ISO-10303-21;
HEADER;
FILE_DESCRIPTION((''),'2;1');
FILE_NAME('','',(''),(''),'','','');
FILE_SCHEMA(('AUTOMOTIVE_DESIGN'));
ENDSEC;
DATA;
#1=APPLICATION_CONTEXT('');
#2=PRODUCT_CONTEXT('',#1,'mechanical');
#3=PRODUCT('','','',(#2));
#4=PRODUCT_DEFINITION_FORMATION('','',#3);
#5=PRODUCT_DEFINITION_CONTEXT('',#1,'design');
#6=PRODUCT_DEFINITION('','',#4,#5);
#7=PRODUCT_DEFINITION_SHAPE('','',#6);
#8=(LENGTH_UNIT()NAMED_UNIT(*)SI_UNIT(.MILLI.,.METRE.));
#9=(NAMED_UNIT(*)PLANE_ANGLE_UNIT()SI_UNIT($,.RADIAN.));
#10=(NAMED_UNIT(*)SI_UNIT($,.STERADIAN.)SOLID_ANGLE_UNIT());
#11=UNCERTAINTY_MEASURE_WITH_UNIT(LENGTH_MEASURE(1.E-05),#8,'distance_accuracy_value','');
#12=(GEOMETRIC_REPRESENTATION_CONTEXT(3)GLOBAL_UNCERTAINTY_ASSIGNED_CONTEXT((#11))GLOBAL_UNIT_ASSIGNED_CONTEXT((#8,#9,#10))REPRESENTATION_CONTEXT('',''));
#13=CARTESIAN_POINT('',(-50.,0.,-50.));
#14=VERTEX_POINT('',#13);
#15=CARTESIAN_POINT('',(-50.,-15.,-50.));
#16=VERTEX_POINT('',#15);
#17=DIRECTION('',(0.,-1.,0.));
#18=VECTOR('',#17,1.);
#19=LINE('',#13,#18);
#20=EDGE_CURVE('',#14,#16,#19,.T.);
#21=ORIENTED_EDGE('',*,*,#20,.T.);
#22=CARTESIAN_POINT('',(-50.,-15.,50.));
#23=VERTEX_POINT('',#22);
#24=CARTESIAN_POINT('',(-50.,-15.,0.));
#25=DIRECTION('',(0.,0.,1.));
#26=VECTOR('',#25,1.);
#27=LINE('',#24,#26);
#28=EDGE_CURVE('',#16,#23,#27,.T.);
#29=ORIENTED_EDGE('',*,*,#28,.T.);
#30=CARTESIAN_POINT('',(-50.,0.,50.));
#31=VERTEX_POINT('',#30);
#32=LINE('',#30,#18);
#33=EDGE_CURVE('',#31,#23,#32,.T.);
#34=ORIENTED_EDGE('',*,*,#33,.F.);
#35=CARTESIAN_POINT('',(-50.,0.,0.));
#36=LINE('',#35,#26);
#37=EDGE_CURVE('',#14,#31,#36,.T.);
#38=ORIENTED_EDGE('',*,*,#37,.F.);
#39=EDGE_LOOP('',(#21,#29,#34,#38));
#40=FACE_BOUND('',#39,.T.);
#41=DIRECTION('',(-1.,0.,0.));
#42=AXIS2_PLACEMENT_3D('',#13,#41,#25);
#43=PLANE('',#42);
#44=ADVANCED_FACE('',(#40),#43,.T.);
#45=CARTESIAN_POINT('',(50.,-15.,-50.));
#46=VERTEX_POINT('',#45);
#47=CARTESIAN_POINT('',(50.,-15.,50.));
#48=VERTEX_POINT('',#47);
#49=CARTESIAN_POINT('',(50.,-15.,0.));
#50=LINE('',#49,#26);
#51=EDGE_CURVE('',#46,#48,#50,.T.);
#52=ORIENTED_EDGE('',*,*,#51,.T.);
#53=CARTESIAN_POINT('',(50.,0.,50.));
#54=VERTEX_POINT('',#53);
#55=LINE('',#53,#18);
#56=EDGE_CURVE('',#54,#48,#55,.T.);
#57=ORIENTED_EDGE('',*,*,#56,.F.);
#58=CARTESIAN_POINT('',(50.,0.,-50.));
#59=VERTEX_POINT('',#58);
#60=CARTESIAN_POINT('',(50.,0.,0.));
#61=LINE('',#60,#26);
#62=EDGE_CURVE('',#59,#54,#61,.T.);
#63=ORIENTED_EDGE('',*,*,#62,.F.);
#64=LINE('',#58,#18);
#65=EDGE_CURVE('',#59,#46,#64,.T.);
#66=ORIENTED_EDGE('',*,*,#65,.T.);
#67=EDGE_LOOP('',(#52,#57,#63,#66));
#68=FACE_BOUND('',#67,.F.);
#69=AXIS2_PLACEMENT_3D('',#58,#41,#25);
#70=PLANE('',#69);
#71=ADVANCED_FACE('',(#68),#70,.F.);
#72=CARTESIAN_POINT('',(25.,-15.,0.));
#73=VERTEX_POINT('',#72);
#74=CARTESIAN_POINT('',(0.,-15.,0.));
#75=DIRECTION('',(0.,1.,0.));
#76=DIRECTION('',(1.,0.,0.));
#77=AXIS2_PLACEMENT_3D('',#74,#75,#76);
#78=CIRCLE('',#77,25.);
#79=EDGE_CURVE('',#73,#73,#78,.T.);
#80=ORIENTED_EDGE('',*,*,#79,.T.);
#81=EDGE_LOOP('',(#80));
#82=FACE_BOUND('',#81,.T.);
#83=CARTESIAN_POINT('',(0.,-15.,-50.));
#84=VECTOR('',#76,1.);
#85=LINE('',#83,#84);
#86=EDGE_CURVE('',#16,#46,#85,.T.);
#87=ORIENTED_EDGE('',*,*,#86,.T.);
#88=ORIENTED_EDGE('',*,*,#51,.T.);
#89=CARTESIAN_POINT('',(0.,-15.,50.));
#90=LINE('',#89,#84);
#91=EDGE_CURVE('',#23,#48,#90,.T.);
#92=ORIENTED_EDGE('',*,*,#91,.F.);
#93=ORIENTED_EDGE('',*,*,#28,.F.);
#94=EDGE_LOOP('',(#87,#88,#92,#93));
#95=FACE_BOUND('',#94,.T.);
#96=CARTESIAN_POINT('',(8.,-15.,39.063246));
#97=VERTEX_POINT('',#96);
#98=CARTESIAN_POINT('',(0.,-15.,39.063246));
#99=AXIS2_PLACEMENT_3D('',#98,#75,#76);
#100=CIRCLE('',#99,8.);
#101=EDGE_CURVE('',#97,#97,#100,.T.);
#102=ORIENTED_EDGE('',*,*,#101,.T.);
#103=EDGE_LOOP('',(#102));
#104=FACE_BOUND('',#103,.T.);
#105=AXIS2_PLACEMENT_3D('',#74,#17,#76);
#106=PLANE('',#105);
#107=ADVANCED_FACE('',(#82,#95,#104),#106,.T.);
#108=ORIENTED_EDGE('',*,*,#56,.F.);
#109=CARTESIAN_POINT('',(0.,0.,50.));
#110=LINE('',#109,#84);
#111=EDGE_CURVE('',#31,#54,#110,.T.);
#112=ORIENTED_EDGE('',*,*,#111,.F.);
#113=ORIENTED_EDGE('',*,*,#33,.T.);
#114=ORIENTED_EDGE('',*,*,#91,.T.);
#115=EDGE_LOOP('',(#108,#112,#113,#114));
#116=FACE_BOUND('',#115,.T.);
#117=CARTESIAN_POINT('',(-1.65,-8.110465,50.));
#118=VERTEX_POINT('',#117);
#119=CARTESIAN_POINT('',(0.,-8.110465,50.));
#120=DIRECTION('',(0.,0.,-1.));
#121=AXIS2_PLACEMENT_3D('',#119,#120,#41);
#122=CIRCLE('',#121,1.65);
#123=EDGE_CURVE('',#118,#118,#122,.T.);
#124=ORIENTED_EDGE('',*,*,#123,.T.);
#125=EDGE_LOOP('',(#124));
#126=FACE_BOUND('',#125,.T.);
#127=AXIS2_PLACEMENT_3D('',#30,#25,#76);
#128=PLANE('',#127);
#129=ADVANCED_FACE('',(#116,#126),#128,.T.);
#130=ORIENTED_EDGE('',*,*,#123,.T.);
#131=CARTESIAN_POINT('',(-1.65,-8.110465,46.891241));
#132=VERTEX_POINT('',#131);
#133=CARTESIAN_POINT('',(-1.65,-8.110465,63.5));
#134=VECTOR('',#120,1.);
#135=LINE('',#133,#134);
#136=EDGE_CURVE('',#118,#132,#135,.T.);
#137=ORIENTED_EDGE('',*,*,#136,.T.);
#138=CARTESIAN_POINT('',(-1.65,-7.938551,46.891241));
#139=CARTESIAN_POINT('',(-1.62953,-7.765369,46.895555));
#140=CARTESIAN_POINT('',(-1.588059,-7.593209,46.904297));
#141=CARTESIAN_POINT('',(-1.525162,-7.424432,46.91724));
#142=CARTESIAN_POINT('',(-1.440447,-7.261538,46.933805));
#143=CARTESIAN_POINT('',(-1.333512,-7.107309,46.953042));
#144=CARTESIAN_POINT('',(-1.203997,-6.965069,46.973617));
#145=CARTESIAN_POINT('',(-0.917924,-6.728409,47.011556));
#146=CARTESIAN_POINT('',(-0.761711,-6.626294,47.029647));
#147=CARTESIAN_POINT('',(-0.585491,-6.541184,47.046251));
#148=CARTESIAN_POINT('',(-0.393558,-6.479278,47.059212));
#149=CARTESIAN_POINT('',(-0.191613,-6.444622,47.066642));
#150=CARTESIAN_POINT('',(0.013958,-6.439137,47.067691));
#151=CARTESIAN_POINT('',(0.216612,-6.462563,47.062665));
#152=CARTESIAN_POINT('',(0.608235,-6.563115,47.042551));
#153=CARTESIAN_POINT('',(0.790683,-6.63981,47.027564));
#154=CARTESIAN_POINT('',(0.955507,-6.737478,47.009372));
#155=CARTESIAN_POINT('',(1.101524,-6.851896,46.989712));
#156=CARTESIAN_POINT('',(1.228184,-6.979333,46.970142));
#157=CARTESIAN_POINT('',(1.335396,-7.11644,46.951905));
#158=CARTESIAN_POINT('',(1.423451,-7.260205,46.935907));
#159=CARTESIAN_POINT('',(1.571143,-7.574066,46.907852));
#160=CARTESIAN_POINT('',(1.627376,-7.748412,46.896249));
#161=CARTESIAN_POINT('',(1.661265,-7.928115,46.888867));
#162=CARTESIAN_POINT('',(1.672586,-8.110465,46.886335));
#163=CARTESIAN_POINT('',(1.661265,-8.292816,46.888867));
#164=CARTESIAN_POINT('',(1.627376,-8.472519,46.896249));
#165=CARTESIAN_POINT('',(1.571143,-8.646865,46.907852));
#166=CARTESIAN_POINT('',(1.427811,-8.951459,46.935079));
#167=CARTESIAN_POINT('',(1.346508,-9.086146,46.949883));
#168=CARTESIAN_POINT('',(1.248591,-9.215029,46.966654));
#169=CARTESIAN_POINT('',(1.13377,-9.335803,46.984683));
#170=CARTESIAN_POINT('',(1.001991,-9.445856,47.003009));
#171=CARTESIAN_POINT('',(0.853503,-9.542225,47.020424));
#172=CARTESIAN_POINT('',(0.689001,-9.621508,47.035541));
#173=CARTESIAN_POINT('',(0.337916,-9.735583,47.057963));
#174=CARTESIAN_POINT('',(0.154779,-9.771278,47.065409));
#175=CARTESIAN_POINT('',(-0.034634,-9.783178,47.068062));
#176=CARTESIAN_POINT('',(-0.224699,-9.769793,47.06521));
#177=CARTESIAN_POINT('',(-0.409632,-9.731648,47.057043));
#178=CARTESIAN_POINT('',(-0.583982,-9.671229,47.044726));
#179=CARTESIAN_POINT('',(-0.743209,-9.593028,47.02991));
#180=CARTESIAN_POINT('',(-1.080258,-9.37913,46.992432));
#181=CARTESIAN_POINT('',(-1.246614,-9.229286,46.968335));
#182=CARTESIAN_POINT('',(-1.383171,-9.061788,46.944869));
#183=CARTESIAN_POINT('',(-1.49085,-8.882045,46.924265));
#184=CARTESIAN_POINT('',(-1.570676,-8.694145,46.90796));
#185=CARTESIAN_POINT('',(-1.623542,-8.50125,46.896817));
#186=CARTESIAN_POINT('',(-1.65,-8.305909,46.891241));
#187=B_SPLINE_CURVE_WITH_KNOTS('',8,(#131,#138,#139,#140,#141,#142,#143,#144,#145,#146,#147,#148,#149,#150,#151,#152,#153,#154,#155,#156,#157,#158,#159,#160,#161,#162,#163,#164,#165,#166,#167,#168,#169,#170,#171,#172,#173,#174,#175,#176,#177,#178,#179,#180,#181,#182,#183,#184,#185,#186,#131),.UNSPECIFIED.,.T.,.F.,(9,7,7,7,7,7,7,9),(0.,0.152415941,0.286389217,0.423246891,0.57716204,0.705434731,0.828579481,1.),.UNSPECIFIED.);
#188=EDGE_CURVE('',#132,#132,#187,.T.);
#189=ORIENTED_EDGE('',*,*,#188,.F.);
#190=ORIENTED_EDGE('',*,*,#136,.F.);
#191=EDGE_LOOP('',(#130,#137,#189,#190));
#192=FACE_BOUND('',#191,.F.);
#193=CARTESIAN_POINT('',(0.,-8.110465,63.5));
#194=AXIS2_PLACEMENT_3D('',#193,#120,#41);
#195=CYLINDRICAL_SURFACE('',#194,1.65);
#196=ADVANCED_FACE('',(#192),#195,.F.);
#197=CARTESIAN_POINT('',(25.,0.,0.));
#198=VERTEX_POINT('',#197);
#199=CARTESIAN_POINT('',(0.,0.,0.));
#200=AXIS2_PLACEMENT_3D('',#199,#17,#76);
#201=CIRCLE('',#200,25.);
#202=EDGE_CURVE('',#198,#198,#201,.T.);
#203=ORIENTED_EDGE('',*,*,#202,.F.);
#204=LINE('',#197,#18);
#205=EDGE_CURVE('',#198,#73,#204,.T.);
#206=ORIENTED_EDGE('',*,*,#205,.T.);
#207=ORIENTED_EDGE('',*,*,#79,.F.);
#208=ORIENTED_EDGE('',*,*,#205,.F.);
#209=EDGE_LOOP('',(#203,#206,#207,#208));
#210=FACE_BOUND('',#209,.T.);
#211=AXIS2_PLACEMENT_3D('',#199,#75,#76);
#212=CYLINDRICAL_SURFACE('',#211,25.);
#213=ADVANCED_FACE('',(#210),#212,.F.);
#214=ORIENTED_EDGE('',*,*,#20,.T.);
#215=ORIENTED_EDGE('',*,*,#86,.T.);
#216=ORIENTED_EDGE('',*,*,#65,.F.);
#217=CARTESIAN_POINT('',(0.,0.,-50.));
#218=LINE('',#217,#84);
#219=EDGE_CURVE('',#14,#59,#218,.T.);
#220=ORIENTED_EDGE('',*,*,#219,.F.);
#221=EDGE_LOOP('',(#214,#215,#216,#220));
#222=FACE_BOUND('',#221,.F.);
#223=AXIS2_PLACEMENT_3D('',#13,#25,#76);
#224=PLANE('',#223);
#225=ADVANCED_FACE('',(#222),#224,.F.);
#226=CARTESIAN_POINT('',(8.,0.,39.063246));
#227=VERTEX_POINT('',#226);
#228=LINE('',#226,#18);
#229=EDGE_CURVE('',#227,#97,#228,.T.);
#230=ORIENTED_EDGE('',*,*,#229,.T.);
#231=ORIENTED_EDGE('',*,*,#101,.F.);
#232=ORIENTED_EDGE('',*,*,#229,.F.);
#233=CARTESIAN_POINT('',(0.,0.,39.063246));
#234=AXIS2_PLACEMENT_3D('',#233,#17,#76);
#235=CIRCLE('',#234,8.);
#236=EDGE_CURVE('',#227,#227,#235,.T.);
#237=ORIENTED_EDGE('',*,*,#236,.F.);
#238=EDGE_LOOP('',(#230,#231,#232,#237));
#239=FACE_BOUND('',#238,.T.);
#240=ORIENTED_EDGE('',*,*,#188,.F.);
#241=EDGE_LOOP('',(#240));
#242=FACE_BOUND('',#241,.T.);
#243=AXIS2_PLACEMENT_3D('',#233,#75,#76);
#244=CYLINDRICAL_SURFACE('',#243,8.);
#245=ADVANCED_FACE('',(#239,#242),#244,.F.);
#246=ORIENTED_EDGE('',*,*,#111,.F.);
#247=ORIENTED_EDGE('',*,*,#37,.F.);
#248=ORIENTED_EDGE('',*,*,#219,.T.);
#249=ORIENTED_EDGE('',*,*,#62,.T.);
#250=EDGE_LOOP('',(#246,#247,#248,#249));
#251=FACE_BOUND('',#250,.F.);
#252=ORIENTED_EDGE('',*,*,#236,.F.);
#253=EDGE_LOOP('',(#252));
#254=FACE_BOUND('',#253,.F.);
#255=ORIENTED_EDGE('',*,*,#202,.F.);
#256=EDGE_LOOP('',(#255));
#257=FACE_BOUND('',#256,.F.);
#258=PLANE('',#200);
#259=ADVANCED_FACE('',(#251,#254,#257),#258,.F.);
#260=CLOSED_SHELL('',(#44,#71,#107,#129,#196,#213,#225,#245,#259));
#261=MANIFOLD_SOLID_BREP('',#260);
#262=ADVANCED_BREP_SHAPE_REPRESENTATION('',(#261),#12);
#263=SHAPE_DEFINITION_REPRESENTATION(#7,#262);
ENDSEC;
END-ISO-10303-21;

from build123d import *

# Parameters (mm, degrees)
F0_W     = 100
F0_H     = 100
F2_DEPTH = 15
F1_R     = 25
F3_DEPTH = 15.001
F4_R     = 8
F5_DEPTH = 15.001
F7_D     = 3.3
F7_DEPTH = 13.5
F7_TIP   = 0.9914200214


with BuildPart() as f2:
    # F0 (on Front) → F2 (new body)
    with BuildSketch(Plane.XZ):
        Rectangle(F0_W, F0_H)
    extrude(amount=F2_DEPTH)

    # F1 (on Front) → F3 (cut, through all)
    with BuildSketch(Plane.XZ):
        Circle(F1_R)
    extrude(amount=F3_DEPTH, mode=Mode.SUBTRACT)

    # F4 (on Front) → F5 (cut, through all)
    with BuildSketch(Plane.XZ):
        with Locations((0, 39.0632459029)):
            Circle(F4_R)
    extrude(amount=F5_DEPTH, mode=Mode.SUBTRACT)

    # F7
    with Locations(Plane.XY.offset(50)):
        with Locations((0, -8.1104654819)):
            Hole(F7_D / 2, depth=F7_DEPTH)
            with Locations((0, 0, -(F7_DEPTH + F7_TIP / 2))):  # 118° drill point
                Cone(0, F7_D / 2, F7_TIP, mode=Mode.SUBTRACT)


solid = f2.part
